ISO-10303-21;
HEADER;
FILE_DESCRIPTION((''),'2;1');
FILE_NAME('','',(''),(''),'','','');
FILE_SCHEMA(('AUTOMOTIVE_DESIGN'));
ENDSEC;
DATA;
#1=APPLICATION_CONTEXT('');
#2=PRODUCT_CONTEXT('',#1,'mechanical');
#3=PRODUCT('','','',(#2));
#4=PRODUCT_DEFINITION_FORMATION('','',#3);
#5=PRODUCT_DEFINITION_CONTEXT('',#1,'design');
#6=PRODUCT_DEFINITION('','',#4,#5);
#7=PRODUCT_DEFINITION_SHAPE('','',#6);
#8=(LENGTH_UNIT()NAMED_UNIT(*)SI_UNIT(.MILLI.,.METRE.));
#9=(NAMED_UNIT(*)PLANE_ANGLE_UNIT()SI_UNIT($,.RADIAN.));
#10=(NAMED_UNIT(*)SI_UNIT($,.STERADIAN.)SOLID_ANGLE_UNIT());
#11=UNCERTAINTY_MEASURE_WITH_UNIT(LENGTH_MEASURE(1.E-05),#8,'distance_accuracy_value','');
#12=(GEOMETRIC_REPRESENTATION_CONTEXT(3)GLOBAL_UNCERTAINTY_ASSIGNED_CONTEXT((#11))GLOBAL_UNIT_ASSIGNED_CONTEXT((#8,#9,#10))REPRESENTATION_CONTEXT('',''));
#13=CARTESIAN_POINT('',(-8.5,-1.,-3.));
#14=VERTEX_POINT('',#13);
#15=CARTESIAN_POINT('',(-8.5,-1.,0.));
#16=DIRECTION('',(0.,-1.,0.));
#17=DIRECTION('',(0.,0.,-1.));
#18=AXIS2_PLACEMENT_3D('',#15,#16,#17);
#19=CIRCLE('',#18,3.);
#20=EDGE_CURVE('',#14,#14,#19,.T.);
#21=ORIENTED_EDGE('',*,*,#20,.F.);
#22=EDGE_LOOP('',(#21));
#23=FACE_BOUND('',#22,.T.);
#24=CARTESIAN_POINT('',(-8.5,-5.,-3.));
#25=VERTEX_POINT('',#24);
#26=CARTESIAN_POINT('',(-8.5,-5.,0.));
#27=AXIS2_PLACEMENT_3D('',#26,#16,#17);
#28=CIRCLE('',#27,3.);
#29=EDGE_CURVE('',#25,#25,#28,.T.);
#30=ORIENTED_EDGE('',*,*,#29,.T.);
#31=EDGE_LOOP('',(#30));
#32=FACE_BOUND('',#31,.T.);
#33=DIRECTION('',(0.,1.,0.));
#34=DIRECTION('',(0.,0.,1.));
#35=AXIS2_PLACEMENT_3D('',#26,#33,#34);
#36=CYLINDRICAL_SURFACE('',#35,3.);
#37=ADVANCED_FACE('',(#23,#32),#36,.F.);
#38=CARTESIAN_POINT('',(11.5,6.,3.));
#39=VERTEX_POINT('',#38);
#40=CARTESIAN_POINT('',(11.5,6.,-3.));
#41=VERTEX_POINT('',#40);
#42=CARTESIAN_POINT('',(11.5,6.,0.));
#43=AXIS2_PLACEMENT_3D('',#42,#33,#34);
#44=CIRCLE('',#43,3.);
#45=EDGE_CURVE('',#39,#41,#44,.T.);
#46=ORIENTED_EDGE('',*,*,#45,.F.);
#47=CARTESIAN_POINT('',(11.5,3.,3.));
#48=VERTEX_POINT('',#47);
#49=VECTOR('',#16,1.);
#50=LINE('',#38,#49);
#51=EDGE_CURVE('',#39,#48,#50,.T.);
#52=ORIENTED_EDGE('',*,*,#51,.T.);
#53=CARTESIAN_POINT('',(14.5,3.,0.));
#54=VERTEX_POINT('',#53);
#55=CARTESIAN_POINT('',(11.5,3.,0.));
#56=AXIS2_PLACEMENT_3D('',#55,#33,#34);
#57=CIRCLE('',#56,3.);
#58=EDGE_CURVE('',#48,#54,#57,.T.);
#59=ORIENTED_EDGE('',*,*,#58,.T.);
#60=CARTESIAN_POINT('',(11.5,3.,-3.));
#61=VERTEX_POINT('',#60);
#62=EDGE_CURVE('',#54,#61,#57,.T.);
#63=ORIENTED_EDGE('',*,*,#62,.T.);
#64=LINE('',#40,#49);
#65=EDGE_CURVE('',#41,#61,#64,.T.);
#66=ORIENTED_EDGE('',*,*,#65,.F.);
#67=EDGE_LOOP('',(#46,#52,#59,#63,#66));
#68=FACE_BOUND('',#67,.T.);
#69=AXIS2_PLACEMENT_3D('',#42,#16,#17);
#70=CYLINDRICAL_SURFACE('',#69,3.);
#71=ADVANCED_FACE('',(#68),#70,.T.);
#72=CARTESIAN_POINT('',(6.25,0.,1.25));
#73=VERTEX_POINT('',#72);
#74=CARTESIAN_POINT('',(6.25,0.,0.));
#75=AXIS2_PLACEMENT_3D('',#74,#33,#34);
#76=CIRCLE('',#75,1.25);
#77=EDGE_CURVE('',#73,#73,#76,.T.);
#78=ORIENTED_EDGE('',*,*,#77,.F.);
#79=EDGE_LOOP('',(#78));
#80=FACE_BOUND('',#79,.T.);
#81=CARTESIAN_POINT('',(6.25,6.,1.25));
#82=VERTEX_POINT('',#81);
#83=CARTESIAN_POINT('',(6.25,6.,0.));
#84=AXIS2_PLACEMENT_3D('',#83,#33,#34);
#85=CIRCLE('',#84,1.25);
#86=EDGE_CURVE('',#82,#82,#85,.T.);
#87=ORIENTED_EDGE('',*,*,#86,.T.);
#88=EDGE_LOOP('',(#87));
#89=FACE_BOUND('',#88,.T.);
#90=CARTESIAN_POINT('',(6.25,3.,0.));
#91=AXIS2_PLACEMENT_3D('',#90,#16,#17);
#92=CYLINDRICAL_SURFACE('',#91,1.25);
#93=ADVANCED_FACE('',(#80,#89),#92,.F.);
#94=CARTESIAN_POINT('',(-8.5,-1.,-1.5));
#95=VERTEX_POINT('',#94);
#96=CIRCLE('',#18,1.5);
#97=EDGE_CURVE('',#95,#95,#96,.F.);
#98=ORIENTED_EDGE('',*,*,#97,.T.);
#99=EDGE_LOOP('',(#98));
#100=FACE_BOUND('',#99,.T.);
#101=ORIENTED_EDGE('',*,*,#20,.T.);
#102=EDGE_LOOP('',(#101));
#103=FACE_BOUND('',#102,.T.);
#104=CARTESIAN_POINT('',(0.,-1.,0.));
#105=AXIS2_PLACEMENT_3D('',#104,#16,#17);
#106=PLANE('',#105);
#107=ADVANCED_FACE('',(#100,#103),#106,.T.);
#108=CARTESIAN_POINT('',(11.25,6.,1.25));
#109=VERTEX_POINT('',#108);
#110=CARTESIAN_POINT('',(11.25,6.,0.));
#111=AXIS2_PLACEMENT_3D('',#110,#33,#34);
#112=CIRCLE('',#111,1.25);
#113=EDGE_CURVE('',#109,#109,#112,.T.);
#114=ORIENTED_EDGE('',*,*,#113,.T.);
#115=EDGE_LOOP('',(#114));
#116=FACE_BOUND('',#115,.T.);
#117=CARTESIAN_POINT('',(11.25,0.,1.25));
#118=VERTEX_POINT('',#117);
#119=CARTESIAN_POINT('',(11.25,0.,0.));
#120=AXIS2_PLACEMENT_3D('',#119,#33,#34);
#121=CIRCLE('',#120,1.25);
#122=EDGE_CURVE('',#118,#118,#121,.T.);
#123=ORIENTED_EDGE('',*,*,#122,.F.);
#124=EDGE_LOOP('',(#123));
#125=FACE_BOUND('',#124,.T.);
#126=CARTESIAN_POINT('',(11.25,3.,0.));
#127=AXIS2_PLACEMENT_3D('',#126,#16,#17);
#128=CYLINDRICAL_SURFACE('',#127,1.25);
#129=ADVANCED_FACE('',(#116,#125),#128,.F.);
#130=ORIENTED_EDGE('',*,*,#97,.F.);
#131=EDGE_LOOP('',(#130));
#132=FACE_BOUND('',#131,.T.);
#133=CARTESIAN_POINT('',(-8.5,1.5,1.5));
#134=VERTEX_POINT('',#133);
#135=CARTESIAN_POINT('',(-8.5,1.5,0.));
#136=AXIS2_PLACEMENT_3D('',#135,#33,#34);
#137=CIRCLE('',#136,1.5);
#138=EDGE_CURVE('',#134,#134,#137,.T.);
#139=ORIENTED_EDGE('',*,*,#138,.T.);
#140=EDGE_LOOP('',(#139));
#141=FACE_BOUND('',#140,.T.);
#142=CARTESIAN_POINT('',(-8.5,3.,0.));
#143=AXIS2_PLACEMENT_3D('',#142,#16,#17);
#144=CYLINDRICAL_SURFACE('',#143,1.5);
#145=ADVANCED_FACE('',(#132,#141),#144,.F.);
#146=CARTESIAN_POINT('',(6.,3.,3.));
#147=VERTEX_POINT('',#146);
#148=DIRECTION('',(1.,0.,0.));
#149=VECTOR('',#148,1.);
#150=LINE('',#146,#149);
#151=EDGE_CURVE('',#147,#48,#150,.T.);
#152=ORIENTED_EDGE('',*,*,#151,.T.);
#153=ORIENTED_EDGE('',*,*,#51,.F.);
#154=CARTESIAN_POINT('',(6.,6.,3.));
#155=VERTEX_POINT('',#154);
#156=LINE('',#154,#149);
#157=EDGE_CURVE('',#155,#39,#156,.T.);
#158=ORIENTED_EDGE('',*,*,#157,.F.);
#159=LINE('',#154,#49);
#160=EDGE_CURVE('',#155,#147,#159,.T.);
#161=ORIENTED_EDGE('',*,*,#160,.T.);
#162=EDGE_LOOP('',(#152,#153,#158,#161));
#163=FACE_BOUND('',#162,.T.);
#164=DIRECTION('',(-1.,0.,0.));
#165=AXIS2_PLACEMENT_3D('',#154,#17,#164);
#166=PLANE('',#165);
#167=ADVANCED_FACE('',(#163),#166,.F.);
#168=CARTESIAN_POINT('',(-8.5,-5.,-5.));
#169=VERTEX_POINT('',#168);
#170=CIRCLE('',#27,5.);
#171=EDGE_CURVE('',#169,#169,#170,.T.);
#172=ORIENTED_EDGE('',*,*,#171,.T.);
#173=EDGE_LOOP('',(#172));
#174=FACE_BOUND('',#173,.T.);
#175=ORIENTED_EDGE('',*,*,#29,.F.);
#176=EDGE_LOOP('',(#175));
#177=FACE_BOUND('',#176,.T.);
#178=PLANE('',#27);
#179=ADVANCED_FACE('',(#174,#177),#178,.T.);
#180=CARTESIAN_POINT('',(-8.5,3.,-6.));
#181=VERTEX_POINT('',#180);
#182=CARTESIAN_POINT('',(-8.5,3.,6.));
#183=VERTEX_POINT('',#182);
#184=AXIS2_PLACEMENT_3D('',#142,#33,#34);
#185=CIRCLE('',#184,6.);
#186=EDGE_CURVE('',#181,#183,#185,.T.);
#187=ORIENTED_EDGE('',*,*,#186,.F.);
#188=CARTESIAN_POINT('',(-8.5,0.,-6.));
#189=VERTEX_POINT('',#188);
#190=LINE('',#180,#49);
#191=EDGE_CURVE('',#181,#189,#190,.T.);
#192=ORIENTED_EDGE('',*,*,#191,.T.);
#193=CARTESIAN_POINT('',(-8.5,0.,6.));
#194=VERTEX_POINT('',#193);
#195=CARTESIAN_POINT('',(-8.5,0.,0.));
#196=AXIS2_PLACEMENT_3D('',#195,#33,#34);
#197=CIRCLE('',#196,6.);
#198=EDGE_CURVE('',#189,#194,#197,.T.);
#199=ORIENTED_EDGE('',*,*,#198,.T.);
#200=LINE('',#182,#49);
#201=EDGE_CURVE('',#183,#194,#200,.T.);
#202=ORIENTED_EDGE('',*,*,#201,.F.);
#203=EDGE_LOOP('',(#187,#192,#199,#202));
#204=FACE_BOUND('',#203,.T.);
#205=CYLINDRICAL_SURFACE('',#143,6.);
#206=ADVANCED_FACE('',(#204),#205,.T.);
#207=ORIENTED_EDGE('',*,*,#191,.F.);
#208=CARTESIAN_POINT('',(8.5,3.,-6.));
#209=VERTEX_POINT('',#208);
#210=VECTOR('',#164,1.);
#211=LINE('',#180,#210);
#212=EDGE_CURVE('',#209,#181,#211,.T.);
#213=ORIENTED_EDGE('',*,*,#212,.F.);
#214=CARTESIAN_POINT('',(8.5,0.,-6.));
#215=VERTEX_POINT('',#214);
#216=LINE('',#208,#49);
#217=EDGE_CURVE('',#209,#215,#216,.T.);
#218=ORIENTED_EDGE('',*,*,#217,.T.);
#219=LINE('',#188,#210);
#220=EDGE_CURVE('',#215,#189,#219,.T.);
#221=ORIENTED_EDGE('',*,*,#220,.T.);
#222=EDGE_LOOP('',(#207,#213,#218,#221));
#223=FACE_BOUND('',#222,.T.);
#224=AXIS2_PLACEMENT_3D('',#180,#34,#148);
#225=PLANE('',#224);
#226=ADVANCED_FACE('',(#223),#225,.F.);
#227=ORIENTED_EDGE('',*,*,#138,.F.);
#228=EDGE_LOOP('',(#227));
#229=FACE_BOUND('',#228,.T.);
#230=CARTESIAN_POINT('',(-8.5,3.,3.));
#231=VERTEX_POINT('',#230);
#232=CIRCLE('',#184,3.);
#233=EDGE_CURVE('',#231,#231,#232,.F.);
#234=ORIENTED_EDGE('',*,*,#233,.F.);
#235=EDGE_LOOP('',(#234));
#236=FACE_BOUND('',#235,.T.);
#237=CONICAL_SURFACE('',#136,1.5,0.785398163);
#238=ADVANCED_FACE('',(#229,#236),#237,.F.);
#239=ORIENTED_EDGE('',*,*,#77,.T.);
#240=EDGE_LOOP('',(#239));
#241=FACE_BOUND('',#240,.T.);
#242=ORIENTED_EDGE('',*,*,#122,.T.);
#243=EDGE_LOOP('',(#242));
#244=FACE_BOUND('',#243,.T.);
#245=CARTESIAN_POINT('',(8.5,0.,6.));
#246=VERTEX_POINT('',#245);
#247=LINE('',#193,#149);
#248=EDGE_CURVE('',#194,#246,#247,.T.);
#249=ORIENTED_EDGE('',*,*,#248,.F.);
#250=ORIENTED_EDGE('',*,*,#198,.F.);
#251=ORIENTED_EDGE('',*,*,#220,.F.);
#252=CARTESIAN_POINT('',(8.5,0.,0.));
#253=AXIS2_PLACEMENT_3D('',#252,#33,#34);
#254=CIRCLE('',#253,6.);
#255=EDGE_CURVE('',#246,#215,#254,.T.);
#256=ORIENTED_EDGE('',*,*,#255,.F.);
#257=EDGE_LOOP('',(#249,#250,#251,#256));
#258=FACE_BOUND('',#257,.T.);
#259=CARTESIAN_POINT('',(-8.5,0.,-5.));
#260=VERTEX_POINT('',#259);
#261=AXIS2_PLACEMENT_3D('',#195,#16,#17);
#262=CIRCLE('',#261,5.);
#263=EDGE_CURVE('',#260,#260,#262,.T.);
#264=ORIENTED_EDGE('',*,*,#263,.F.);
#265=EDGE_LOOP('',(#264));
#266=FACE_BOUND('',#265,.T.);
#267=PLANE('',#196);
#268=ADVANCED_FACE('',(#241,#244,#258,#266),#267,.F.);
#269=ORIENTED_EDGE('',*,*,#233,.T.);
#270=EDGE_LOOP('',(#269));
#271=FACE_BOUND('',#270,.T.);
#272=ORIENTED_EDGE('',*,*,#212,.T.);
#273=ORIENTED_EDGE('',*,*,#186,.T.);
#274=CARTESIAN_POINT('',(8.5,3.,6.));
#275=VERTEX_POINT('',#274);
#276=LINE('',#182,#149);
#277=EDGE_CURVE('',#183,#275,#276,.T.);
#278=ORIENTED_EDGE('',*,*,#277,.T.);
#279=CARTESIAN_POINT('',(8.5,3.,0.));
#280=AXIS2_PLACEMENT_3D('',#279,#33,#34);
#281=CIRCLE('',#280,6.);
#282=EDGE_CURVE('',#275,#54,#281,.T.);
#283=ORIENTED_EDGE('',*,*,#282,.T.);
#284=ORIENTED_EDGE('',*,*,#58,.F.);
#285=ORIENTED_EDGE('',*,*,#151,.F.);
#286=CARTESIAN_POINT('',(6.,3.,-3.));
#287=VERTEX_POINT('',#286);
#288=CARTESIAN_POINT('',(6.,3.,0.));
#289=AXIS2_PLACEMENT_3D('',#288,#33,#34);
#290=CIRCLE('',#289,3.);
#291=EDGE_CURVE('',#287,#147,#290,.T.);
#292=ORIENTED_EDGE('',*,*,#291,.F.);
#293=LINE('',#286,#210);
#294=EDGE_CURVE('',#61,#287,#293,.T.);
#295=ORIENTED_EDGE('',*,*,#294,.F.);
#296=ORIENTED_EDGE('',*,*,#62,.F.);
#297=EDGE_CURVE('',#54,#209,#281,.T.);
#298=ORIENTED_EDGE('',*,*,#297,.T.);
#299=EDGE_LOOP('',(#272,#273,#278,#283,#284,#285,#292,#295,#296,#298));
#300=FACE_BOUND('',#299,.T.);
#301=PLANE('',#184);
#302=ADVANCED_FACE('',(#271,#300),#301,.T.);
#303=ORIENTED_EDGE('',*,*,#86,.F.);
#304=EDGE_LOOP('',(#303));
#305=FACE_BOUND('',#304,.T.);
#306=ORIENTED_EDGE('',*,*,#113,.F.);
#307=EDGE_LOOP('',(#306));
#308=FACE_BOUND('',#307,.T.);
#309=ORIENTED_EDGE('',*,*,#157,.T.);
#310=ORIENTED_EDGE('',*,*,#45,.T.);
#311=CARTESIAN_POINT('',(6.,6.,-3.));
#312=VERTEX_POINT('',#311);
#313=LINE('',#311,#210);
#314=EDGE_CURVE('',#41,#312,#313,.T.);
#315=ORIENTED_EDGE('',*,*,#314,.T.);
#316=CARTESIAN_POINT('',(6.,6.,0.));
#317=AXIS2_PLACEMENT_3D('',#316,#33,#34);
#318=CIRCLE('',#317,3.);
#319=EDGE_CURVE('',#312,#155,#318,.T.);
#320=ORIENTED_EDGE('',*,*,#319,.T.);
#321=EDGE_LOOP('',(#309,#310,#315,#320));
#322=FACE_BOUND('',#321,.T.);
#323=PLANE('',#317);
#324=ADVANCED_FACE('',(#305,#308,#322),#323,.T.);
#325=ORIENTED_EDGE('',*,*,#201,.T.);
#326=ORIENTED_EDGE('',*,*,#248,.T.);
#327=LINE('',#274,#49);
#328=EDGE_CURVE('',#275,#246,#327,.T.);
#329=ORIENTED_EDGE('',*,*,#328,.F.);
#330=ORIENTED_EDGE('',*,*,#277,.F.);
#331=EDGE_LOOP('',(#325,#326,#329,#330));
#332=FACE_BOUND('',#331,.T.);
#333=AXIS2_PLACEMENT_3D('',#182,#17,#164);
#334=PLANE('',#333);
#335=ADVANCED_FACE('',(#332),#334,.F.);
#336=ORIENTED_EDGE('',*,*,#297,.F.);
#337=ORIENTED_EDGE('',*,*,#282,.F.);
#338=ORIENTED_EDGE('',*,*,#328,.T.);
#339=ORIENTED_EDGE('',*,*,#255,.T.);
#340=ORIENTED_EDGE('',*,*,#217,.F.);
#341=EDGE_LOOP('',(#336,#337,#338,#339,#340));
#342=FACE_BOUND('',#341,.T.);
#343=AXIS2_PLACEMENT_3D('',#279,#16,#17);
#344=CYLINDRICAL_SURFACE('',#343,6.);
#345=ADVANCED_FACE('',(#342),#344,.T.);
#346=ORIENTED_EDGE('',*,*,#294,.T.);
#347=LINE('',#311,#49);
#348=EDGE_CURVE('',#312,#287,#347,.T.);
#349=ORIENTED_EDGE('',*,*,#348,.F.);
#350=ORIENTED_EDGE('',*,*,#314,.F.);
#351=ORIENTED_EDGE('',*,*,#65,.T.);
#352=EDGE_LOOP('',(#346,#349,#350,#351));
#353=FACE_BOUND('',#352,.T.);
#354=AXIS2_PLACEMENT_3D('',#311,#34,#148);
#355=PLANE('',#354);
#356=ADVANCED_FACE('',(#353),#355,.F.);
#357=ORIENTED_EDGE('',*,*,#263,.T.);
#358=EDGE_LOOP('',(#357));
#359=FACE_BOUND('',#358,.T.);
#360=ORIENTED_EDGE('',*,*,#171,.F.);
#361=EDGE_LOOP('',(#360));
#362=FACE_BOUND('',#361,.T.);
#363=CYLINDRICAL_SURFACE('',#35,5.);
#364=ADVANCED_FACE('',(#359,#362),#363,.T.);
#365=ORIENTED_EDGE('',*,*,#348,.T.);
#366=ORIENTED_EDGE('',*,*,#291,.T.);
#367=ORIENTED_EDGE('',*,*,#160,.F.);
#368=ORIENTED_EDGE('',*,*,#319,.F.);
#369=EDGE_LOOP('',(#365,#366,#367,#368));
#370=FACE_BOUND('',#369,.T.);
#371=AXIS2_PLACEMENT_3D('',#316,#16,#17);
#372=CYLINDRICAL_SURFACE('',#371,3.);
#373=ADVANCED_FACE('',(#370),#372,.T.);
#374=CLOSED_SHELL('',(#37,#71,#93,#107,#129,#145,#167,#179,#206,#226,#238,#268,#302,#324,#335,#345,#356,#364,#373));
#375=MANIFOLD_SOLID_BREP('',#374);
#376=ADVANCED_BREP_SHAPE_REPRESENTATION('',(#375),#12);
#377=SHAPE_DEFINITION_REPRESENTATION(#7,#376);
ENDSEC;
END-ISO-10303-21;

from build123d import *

# Parameters (mm, degrees)
SKETCH1_R           = 1.5
SKETCH1_R_2         = 1.25
BOSS_EXTRUDE1_DEPTH = 3
SKETCH2_R           = 1.25
BOSS_EXTRUDE2_DEPTH = 3
SKETCH3_R           = 5
SKETCH3_R_2         = 3
BOSS_EXTRUDE3_DEPTH = 5
SKETCH3_2_R         = 3
SKETCH3_2_R_2       = 1.5
BOSS_EXTRUDE4_DEPTH = 1
CHAMFER1_SIZE       = 1.5


with BuildPart() as part:
    # Sketch1 → Boss-Extrude1 (new body)
    with BuildSketch(Plane(origin=(0, 0, 0), x_dir=(1, 0, 0), z_dir=(0, 1, 0))):
        with BuildLine():
            Line((-8.5, 6), (8.5, 6))
            ThreePointArc((8.5, 6), (14.5, 0), (8.5, -6))
            Line((8.5, -6), (-8.5, -6))
            ThreePointArc((-8.5, -6), (-14.5, 0), (-8.5, 6))
        make_face()
        with Locations((-8.5, 0)):
            Circle(SKETCH1_R, mode=Mode.SUBTRACT)
        with Locations((11.25, 0)):
            Circle(SKETCH1_R_2, mode=Mode.SUBTRACT)
        with Locations((6.25, 0)):
            Circle(SKETCH1_R_2, mode=Mode.SUBTRACT)
    extrude(amount=BOSS_EXTRUDE1_DEPTH)

    # Sketch2 → Boss-Extrude2 (add)
    with BuildSketch(Plane(origin=(0, 3, 0), x_dir=(1, 0, 0), z_dir=(0, 1, 0))):
        with BuildLine():
            Line((6, 3), (11.5, 3))
            ThreePointArc((11.5, 3), (14.5, 0), (11.5, -3))
            Line((11.5, -3), (6, -3))
            ThreePointArc((6, -3), (3, 0), (6, 3))
        make_face()
        with Locations((6.25, 0)):
            Circle(SKETCH2_R, mode=Mode.SUBTRACT)
        with Locations((11.25, 0)):
            Circle(SKETCH2_R, mode=Mode.SUBTRACT)
    extrude(amount=BOSS_EXTRUDE2_DEPTH)

    # Sketch3 → Boss-Extrude3 (add)
    with BuildSketch(Plane.XZ):
        with Locations((-8.5, 0)):
            Circle(SKETCH3_R)
        with Locations((-8.5, 0)):
            Circle(SKETCH3_R_2, mode=Mode.SUBTRACT)
    extrude(amount=BOSS_EXTRUDE3_DEPTH)

    # Sketch3<2> → Boss-Extrude4 (add)
    with BuildSketch(Plane.XZ):
        with Locations((-8.5, 0)):
            Circle(SKETCH3_2_R)
        with Locations((-8.5, 0)):
            Circle(SKETCH3_2_R_2, mode=Mode.SUBTRACT)
    extrude(amount=BOSS_EXTRUDE4_DEPTH)

    # Chamfer1
    chamfer1_edges = [part.edges().sort_by_distance(p)[0] for p in [
        (-10, 3, 0),
    ]]
    chamfer(chamfer1_edges, length=CHAMFER1_SIZE)


solid = part.part
